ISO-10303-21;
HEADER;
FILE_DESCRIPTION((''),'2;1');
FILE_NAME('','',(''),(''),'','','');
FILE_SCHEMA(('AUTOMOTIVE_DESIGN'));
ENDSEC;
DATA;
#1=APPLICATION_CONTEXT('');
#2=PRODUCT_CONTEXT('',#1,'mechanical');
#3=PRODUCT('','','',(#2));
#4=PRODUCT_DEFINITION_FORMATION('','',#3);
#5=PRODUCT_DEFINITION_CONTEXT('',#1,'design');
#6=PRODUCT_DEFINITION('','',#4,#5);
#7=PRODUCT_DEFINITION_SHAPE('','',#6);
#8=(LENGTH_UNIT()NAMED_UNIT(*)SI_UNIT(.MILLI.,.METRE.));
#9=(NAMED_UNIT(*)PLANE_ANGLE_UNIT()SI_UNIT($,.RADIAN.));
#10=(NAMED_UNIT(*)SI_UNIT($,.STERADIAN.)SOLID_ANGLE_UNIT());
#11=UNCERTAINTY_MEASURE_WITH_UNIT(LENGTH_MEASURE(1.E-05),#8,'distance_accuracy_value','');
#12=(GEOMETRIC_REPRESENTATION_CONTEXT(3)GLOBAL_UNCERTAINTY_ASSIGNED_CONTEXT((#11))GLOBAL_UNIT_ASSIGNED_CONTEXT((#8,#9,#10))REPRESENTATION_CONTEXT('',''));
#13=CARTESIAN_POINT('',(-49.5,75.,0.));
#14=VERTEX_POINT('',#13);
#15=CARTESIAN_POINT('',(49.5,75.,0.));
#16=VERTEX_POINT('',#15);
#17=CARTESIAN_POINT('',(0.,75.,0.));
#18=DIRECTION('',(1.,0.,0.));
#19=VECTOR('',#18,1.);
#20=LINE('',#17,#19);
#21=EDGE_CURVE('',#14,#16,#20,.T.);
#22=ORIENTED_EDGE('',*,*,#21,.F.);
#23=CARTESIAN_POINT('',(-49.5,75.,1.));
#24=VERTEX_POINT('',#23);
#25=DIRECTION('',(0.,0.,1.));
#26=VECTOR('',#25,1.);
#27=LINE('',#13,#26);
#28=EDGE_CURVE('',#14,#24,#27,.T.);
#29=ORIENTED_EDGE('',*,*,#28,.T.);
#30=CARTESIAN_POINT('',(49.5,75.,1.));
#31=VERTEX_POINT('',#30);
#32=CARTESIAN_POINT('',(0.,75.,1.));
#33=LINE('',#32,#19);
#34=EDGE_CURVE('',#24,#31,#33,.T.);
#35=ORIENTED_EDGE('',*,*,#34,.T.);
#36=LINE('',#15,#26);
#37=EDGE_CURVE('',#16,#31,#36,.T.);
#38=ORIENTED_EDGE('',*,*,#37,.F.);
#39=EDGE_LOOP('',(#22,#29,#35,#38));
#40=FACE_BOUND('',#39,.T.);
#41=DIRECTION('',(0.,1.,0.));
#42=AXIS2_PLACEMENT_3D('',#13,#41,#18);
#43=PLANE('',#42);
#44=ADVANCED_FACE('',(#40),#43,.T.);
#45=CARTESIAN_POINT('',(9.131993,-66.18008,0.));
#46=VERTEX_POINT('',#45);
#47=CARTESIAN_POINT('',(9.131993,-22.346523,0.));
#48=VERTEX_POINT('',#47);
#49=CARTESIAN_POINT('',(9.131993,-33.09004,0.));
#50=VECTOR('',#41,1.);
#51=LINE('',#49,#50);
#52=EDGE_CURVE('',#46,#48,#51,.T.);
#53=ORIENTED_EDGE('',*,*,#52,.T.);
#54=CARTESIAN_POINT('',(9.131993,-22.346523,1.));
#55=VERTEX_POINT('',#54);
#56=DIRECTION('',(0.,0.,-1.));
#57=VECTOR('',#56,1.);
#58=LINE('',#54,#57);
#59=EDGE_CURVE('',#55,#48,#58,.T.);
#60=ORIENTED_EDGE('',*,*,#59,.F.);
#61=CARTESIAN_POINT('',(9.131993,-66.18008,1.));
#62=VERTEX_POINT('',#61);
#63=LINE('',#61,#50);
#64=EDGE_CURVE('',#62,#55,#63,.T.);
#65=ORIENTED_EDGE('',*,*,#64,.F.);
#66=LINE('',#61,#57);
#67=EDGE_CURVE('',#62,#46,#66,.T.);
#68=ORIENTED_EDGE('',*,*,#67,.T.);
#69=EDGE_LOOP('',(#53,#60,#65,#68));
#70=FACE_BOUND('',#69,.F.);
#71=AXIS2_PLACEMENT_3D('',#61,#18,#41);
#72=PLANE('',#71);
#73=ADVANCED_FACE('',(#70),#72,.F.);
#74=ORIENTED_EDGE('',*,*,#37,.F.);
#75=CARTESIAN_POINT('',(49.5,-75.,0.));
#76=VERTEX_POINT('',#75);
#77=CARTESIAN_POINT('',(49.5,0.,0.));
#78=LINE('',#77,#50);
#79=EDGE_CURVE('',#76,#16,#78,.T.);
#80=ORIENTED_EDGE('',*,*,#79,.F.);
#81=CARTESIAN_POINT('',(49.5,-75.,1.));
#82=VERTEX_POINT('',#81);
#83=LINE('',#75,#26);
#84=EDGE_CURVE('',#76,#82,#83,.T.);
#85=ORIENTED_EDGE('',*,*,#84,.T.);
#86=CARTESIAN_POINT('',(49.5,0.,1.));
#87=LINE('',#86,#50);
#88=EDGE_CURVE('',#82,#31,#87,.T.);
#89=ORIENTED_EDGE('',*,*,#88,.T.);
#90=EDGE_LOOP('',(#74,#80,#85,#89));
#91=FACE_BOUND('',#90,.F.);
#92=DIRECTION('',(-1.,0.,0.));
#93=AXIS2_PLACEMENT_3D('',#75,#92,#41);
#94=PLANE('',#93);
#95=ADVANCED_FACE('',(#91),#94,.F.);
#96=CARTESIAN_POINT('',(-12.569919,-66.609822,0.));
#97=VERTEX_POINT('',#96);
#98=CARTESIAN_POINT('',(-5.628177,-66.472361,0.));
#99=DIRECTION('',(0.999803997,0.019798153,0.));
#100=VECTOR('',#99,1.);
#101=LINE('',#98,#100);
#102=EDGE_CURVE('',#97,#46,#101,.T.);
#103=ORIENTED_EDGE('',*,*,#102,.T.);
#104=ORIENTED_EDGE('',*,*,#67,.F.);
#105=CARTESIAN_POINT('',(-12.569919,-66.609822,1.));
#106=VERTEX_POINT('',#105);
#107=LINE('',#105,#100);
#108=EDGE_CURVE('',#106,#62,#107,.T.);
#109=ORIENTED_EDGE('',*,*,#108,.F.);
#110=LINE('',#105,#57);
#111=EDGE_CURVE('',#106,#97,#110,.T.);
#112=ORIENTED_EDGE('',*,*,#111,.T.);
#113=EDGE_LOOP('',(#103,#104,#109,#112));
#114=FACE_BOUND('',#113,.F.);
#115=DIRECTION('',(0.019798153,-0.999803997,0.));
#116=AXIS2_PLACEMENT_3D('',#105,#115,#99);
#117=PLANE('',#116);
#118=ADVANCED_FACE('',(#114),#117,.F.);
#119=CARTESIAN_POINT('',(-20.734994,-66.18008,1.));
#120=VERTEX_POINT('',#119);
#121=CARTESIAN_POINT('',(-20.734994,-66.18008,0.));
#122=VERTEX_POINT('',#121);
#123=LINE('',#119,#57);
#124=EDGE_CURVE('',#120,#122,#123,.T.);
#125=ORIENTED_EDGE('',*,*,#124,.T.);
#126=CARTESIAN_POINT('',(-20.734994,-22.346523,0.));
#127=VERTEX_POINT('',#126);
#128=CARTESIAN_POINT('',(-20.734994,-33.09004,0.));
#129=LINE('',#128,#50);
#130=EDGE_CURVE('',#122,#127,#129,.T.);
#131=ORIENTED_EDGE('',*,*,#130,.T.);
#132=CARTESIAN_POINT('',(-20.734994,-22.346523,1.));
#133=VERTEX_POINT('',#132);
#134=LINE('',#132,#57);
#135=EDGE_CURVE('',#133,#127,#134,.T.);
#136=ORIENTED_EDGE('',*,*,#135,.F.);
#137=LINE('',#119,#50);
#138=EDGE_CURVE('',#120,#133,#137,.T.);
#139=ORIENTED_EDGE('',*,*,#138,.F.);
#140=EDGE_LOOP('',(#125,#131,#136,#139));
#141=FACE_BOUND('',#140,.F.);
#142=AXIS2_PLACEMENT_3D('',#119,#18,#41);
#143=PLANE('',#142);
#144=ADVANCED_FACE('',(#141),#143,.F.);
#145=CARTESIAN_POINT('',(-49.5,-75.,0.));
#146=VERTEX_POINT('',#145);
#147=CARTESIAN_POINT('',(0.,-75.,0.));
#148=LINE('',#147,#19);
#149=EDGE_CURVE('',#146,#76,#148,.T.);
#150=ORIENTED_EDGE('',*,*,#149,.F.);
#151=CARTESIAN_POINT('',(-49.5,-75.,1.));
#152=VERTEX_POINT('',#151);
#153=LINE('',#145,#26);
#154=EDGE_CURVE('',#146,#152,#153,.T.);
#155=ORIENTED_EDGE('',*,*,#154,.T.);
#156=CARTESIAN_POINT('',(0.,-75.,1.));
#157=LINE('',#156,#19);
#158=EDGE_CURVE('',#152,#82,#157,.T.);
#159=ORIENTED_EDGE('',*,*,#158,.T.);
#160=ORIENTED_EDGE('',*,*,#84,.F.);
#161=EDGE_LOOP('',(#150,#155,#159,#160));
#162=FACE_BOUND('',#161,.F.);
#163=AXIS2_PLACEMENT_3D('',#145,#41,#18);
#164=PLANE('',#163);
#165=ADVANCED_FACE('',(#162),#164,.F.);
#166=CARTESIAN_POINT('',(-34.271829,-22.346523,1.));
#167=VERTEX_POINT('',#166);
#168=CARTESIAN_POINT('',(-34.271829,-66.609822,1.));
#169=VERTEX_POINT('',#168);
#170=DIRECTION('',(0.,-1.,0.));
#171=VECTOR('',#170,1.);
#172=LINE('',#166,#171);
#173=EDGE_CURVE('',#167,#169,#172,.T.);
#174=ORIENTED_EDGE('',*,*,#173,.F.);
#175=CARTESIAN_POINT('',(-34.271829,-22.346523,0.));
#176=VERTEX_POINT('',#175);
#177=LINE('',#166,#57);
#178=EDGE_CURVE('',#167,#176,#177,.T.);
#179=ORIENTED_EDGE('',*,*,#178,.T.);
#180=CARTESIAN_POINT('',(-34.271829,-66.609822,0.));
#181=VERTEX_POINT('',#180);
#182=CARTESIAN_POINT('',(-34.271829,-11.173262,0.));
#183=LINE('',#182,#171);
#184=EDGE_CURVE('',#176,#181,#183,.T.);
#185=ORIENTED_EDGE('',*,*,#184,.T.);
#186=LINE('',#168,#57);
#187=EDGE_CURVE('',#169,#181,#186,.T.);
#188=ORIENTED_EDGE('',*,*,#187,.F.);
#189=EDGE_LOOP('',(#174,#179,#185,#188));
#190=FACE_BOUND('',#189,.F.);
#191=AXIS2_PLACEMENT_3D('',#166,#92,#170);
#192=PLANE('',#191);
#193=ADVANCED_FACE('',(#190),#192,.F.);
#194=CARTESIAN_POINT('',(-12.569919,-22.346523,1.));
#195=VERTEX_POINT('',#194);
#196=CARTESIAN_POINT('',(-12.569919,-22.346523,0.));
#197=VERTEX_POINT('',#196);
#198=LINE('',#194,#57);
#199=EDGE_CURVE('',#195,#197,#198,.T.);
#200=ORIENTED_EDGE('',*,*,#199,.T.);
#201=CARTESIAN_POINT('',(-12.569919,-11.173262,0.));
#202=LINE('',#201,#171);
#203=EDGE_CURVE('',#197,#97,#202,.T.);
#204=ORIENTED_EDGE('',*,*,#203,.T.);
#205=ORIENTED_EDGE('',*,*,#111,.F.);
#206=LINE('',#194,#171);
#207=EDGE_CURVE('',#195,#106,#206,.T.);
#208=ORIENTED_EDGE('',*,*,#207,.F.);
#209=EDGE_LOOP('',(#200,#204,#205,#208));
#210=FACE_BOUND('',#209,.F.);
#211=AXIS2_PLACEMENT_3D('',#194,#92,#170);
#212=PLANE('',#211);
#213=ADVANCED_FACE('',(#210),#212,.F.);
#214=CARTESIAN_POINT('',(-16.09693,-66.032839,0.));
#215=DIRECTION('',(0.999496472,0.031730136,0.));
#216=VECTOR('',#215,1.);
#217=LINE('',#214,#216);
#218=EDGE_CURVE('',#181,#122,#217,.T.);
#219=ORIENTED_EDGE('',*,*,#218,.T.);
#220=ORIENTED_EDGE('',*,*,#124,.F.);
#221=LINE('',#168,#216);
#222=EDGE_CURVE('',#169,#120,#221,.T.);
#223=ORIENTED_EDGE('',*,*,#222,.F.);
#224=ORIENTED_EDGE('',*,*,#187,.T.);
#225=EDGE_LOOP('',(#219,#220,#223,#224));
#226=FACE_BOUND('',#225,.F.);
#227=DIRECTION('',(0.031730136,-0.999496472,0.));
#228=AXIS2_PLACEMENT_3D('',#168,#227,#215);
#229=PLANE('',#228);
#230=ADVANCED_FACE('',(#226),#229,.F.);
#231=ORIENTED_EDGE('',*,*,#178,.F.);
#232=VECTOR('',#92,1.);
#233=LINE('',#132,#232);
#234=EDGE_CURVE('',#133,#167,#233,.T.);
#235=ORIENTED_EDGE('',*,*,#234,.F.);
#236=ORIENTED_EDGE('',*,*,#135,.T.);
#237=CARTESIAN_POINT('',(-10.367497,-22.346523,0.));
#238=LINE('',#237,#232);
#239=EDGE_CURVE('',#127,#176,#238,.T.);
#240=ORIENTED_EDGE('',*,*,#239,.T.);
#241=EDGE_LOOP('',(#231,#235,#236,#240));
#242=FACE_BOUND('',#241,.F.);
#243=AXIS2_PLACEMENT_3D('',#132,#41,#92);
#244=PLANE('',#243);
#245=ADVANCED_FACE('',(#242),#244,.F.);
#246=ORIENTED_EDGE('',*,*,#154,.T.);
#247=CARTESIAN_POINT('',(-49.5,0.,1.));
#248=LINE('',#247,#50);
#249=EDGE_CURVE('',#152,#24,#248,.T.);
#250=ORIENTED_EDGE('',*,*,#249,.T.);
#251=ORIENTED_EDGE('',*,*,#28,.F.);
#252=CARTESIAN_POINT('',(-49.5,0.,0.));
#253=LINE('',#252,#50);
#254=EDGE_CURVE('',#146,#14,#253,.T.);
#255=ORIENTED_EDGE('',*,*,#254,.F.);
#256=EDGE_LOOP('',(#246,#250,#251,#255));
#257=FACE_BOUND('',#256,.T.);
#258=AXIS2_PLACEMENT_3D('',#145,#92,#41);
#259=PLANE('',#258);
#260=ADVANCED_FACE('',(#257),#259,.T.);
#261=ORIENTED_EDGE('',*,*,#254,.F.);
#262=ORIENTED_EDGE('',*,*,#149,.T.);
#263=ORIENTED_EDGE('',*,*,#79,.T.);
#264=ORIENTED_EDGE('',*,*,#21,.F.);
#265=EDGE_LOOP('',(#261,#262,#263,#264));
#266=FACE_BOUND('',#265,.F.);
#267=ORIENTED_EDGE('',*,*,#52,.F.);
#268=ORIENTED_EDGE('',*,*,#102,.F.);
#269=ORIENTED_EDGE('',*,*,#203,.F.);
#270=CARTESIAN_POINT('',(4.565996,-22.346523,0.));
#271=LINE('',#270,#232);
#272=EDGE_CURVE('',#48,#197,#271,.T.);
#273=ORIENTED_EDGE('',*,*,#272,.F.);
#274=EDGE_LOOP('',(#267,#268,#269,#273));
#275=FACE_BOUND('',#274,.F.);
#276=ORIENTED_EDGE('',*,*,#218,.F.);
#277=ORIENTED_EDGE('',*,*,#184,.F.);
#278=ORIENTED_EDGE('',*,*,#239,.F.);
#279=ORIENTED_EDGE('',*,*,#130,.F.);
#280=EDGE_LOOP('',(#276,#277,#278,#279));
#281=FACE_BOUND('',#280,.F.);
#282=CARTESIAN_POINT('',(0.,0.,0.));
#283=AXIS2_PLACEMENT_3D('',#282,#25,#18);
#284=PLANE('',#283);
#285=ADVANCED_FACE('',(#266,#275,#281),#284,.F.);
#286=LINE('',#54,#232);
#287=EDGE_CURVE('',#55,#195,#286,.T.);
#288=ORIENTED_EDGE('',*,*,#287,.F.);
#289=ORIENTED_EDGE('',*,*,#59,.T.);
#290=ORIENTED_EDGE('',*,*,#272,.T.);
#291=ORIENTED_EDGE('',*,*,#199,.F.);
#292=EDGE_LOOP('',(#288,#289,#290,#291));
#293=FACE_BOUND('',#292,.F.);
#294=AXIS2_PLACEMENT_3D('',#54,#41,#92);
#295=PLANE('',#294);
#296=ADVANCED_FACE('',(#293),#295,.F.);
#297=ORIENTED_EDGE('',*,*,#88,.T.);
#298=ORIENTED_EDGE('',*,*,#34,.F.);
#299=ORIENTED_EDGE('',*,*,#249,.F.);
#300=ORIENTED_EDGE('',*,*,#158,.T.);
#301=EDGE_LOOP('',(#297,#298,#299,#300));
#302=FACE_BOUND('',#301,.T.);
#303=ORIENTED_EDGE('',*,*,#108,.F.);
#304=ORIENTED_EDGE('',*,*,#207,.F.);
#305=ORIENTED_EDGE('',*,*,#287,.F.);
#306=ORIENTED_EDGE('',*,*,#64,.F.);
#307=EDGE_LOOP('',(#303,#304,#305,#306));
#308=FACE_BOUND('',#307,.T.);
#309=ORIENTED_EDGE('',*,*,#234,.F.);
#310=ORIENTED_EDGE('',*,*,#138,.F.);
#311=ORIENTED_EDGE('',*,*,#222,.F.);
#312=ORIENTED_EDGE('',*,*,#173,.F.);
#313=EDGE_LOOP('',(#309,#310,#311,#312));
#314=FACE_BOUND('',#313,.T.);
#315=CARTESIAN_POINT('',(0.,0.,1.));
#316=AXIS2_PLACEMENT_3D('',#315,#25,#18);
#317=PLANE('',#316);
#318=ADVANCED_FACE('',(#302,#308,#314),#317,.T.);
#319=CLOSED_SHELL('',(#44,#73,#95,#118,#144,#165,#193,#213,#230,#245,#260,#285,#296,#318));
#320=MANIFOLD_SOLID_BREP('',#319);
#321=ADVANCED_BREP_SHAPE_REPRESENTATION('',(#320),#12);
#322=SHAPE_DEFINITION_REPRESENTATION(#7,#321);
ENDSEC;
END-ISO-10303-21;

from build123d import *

# Parameters (mm, degrees)
F0_W     = 99
F0_H     = 150
F1_DEPTH = 1
F3_DEPTH = 25


with BuildPart() as f1:
    # F0 (on Top) → F1 (new body)
    with BuildSketch(Plane.XY):
        Rectangle(F0_W, F0_H)
    extrude(amount=F1_DEPTH)

    # F2 (on face) → F3 (cut)
    with BuildSketch(Plane.XY.offset(1)):
        Polygon((-34.271829, -22.346523), (-34.271829, -66.609822), (-20.734994, -66.18008), (-20.734994, -22.346523), align=None)
        Polygon((-12.569919, -22.346523), (-12.569919, -66.609822), (9.131993, -66.18008), (9.131993, -22.346523), align=None)
    extrude(amount=-F3_DEPTH, mode=Mode.SUBTRACT)


solid = f1.part
